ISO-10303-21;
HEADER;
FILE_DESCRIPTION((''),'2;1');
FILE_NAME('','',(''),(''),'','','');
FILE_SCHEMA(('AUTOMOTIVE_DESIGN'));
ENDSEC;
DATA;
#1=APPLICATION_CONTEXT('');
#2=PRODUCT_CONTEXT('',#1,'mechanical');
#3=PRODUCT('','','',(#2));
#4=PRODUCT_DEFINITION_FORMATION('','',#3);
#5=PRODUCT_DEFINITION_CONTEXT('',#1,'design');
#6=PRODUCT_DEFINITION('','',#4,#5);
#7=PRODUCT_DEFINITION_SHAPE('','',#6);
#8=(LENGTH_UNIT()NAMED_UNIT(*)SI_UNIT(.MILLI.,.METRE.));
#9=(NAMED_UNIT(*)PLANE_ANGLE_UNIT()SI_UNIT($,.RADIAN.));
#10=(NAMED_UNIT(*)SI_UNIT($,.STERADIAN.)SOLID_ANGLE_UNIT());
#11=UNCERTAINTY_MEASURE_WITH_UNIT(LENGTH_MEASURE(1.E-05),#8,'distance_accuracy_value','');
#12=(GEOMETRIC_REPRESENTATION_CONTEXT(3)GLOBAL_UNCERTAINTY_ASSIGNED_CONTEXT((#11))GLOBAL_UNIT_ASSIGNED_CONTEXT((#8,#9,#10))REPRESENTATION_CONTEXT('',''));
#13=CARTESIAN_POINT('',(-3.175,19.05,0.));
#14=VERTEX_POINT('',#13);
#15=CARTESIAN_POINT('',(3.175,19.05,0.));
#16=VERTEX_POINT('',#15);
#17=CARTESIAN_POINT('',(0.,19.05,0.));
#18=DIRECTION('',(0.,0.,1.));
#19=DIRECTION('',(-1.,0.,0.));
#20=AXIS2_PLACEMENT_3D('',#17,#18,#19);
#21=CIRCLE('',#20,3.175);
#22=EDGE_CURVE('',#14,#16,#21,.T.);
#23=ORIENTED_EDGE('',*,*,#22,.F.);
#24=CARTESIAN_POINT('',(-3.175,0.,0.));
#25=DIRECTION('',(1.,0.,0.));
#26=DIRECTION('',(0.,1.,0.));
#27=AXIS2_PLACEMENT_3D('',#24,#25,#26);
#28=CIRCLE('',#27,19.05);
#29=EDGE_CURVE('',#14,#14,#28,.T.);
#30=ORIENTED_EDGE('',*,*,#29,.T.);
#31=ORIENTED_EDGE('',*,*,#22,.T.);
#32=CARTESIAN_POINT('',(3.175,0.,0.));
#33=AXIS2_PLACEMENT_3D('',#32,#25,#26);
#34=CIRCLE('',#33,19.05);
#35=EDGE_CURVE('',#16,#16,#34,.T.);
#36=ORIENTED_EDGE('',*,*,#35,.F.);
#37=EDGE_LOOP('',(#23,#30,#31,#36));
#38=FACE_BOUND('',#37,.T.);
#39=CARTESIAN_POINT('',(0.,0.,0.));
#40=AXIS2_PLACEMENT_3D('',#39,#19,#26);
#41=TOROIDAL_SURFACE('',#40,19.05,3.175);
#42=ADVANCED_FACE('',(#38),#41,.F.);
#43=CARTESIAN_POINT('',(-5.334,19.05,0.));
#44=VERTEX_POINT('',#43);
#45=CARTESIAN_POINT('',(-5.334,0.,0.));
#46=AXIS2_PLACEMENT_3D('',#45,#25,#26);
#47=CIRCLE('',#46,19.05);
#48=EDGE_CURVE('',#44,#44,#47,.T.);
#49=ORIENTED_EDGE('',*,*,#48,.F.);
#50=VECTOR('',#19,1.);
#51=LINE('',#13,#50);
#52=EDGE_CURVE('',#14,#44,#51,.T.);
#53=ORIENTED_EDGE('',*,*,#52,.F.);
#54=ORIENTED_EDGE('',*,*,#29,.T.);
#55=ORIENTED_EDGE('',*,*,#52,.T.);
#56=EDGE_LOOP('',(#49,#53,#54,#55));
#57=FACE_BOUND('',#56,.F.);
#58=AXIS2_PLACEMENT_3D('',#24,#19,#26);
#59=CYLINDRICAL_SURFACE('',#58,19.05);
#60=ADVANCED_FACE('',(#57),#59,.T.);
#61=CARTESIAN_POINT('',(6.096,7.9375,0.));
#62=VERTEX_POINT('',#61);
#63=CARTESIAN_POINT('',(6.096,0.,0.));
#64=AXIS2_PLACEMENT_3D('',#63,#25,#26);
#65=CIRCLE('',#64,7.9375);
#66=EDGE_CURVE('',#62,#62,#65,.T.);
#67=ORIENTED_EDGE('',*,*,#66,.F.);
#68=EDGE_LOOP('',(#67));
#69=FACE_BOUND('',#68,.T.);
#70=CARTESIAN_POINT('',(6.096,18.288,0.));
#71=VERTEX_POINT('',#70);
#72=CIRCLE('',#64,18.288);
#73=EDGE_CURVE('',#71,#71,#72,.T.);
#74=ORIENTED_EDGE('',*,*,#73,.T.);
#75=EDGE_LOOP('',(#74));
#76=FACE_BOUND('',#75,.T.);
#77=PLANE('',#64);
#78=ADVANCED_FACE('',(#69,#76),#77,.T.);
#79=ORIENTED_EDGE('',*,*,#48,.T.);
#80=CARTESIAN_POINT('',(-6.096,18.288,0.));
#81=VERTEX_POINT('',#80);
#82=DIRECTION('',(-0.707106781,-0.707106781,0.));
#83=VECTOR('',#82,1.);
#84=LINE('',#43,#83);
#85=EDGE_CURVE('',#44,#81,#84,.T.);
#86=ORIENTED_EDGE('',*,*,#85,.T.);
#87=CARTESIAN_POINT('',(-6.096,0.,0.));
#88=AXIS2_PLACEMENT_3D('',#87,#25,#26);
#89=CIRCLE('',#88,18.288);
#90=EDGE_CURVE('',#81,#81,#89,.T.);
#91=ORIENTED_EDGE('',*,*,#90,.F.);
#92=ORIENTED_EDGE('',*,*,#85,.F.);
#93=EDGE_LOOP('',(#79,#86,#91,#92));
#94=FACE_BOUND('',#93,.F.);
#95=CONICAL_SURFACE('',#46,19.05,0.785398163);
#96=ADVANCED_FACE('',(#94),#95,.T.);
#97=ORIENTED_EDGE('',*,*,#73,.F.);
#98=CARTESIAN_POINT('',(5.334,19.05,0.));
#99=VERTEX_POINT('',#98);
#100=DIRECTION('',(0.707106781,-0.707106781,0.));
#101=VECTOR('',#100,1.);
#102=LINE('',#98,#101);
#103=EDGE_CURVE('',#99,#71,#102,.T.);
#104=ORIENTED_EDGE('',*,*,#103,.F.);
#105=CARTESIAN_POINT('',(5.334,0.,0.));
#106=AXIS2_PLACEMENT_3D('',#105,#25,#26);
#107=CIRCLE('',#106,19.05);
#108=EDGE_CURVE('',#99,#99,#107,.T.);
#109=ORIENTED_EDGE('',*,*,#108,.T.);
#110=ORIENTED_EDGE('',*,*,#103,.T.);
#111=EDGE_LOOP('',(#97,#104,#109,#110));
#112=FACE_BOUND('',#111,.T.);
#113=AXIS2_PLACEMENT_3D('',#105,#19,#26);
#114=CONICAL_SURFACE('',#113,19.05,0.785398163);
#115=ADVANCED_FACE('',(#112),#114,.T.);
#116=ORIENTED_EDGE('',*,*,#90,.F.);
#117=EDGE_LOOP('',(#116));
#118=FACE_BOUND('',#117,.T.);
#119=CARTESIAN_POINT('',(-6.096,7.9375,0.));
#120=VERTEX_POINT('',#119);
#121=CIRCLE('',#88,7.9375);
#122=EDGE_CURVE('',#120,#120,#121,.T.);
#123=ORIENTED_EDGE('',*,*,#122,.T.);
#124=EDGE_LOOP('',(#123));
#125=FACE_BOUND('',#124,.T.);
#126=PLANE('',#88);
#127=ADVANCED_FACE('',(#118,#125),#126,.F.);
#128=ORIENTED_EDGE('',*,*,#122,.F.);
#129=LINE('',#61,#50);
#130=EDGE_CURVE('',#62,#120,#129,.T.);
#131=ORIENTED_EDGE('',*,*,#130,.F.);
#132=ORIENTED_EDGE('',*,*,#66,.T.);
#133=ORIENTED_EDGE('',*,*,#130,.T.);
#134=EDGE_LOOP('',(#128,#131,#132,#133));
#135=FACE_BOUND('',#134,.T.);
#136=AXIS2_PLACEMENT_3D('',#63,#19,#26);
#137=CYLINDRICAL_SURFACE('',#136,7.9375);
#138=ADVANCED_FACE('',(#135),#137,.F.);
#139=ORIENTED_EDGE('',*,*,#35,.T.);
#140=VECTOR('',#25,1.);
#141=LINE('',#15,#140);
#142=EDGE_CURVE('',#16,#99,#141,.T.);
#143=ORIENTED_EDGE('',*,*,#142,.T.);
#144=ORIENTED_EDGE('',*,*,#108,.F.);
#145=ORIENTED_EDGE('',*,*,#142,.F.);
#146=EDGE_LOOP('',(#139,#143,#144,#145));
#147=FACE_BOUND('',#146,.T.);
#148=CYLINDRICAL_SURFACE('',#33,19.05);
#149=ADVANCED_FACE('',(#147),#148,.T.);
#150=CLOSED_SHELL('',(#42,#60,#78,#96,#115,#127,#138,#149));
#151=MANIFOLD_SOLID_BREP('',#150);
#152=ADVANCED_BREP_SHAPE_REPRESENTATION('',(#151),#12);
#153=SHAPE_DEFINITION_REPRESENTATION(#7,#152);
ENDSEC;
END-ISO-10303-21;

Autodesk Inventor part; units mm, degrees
ref_plane "YZ Plane" through (0, 0, 0) normal (1, 0, 0) x (0, 1, 0)
ref_plane "XZ Plane" through (0, 0, 0) normal (0, 1, 0) x (-1, 0, 0)
ref_plane "XY Plane" through (0, 0, 0) normal (0, 0, 1) x (1, 0, 0)
sketch "Sketch1" plane through (0, 0, 0) normal (0, 0, 1) x (1, 0, 0)
  line L0 (0, 0) -> (0, 13.9169) construction
  arc A0 (-3.175, 19.05) -> (3.175, 19.05) centre (0, 19.05) ccw
  line L1 (-3.175, 19.05) -> (-5.334, 19.05)
  line L2 (3.175, 19.05) -> (5.334, 19.05)
  line L3 (6.096, 18.288) -> (6.096, 7.9375)
  line L4 (6.096, 7.9375) -> (-6.096, 7.9375)
  line L5 (-6.096, 7.9375) -> (-6.096, 18.288)
  line L6 (0, 0) -> (7.2482, 0) construction
  line L7 (-5.334, 19.05) -> (-6.096, 18.288)
  line L8 (5.334, 19.05) -> (6.096, 18.288)
  point P0 (-6.096, 19.05)
  point P1 (6.096, 19.05)
  dimension "d0" = 6.35
  dimension "d1" = 15.875
  dimension "d2" = 38.1
  dimension "d3" = 12.192
  dimension "d4" = 0.762
  dimension "d5" = 0.762
  dimension "d6" = 0.762
  dimension "d7" = 0.762
revolve "Revolution1" add sketch "Sketch1" angle 360 about axis through (0, 0, 0) along (1, 0, 0)
equation "\"d5\" = d4"
equation "\"d6\" = d4"
equation "\"d7\" = d6"
properties part number "Custom Cascade Bearing Pulley" material "Aluminum"
